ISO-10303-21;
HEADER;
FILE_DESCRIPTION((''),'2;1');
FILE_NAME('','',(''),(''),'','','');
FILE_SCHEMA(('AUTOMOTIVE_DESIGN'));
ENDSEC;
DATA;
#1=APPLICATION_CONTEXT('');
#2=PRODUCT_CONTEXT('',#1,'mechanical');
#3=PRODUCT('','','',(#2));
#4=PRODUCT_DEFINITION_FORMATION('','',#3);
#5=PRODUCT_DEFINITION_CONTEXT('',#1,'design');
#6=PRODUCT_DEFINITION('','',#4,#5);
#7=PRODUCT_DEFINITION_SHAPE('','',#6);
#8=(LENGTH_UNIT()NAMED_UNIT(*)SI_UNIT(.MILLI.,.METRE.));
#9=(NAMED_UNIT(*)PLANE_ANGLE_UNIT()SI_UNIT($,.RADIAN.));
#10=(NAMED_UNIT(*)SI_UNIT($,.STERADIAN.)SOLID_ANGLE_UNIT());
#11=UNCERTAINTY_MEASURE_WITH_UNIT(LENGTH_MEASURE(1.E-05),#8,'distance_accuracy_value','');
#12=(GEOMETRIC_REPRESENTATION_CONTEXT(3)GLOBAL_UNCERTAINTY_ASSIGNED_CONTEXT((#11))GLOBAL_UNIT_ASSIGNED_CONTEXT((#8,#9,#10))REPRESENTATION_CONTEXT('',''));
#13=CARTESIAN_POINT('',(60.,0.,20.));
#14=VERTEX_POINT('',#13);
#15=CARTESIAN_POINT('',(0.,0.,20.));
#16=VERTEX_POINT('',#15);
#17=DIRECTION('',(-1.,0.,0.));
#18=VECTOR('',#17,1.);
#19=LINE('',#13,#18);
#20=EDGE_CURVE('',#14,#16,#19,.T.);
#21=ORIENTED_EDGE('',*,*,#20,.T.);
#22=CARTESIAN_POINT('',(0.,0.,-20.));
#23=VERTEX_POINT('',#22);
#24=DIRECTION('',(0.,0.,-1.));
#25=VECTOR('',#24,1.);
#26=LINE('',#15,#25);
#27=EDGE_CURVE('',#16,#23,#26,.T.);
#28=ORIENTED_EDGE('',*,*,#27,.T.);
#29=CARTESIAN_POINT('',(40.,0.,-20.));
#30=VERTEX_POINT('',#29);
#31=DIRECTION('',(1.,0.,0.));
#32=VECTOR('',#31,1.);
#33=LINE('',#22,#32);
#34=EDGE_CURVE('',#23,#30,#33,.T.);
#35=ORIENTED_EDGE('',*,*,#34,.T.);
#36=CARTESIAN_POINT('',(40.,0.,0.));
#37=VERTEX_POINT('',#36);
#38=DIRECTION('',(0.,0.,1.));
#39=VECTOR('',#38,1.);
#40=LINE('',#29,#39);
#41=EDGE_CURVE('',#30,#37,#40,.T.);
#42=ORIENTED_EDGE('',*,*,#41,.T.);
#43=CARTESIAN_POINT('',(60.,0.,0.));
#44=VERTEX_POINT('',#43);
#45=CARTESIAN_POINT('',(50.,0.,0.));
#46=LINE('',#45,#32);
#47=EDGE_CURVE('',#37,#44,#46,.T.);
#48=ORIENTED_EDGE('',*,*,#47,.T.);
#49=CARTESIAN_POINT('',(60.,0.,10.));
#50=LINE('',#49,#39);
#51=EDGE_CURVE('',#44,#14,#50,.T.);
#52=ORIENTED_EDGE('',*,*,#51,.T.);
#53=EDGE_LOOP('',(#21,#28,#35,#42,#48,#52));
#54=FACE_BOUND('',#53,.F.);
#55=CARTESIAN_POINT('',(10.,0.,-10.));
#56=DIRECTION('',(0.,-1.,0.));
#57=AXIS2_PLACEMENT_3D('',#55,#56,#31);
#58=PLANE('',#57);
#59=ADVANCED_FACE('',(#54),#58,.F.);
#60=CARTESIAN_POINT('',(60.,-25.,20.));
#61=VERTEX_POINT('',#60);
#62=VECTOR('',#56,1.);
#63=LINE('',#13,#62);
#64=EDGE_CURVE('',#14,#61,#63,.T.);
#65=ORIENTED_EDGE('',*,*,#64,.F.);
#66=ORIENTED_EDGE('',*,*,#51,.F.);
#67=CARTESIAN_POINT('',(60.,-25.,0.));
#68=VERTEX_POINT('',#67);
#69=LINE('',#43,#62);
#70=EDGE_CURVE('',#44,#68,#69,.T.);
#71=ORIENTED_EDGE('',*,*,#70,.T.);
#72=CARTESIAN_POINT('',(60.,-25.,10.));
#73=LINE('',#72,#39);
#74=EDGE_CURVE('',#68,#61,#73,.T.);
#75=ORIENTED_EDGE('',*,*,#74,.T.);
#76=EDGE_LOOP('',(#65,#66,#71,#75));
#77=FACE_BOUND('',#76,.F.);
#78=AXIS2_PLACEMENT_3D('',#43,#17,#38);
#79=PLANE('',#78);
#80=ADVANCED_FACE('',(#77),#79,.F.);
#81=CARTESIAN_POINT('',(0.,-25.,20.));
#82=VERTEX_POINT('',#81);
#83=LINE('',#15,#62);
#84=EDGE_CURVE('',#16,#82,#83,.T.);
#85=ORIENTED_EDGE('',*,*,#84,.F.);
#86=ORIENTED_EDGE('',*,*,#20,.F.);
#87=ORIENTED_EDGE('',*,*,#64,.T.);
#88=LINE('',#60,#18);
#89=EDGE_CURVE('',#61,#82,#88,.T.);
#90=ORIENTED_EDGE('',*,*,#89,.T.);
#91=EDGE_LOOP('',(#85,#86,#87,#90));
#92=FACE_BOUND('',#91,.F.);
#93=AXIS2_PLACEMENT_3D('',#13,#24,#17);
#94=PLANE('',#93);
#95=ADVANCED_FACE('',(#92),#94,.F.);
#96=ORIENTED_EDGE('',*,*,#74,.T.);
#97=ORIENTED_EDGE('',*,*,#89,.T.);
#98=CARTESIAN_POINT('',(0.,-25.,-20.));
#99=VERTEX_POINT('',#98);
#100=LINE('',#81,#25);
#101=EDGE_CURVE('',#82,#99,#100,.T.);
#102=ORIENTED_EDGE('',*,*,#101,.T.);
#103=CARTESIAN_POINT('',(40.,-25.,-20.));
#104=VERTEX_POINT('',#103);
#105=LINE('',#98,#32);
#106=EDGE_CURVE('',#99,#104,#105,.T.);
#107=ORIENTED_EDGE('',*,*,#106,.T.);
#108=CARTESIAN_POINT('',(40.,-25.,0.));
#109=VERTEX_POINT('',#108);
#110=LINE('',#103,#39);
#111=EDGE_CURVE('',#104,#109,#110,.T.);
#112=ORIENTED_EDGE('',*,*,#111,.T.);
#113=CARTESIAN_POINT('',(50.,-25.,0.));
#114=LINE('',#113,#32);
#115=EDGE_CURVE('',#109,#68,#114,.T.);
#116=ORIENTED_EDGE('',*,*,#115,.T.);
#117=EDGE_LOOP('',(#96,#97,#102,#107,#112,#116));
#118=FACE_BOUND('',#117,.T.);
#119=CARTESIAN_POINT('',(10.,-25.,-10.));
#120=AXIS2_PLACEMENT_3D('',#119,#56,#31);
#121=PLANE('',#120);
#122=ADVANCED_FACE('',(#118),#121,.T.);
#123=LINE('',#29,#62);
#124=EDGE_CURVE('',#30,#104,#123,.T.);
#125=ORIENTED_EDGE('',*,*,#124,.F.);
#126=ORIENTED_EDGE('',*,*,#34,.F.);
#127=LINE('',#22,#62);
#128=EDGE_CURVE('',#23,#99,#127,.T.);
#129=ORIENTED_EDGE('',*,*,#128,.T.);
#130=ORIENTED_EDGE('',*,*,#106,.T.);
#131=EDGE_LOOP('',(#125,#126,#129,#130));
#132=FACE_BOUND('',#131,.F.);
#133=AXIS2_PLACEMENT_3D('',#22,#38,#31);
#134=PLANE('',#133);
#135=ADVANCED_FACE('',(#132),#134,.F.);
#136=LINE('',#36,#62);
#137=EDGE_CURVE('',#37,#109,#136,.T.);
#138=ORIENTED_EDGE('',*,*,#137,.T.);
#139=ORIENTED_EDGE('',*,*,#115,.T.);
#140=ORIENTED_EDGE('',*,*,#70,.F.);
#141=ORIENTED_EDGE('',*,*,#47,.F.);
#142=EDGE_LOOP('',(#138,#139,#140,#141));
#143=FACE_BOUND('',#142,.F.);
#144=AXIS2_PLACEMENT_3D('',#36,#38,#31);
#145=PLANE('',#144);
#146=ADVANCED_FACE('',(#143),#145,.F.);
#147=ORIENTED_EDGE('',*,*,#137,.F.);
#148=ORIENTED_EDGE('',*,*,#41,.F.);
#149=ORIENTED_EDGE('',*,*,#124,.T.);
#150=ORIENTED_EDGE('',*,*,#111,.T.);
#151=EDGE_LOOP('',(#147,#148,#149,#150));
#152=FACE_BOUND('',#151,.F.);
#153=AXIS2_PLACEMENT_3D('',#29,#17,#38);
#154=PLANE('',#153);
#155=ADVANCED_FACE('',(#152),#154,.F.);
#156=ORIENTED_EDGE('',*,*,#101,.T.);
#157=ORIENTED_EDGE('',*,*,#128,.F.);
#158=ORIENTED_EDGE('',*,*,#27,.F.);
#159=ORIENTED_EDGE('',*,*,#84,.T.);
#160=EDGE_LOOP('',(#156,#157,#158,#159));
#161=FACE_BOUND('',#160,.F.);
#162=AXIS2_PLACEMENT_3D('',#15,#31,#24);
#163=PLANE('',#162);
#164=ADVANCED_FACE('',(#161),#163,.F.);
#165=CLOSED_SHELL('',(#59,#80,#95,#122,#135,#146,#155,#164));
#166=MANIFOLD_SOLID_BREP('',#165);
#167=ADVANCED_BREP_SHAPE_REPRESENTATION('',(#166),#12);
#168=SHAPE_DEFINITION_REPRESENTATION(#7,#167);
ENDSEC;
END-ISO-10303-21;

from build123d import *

# Parameters (mm, degrees)
F0_W     = 20
F0_H     = 20
F1_DEPTH = 25


with BuildPart() as f1:
    # F0 (on Front) → F1 (new body)
    with BuildSketch(Plane.XZ):
        with Locations((10, -10)):
            Rectangle(F0_W, F0_H)
        with Locations((10, 10)):
            Rectangle(F0_W, F0_H)
        Polygon((20, 20), (20, 0), (20, -20), (40, -20), (40, 0), (40, 20), align=None)
        with Locations((50, 10)):
            Rectangle(F0_W, F0_H)
    extrude(amount=F1_DEPTH)


solid = f1.part
